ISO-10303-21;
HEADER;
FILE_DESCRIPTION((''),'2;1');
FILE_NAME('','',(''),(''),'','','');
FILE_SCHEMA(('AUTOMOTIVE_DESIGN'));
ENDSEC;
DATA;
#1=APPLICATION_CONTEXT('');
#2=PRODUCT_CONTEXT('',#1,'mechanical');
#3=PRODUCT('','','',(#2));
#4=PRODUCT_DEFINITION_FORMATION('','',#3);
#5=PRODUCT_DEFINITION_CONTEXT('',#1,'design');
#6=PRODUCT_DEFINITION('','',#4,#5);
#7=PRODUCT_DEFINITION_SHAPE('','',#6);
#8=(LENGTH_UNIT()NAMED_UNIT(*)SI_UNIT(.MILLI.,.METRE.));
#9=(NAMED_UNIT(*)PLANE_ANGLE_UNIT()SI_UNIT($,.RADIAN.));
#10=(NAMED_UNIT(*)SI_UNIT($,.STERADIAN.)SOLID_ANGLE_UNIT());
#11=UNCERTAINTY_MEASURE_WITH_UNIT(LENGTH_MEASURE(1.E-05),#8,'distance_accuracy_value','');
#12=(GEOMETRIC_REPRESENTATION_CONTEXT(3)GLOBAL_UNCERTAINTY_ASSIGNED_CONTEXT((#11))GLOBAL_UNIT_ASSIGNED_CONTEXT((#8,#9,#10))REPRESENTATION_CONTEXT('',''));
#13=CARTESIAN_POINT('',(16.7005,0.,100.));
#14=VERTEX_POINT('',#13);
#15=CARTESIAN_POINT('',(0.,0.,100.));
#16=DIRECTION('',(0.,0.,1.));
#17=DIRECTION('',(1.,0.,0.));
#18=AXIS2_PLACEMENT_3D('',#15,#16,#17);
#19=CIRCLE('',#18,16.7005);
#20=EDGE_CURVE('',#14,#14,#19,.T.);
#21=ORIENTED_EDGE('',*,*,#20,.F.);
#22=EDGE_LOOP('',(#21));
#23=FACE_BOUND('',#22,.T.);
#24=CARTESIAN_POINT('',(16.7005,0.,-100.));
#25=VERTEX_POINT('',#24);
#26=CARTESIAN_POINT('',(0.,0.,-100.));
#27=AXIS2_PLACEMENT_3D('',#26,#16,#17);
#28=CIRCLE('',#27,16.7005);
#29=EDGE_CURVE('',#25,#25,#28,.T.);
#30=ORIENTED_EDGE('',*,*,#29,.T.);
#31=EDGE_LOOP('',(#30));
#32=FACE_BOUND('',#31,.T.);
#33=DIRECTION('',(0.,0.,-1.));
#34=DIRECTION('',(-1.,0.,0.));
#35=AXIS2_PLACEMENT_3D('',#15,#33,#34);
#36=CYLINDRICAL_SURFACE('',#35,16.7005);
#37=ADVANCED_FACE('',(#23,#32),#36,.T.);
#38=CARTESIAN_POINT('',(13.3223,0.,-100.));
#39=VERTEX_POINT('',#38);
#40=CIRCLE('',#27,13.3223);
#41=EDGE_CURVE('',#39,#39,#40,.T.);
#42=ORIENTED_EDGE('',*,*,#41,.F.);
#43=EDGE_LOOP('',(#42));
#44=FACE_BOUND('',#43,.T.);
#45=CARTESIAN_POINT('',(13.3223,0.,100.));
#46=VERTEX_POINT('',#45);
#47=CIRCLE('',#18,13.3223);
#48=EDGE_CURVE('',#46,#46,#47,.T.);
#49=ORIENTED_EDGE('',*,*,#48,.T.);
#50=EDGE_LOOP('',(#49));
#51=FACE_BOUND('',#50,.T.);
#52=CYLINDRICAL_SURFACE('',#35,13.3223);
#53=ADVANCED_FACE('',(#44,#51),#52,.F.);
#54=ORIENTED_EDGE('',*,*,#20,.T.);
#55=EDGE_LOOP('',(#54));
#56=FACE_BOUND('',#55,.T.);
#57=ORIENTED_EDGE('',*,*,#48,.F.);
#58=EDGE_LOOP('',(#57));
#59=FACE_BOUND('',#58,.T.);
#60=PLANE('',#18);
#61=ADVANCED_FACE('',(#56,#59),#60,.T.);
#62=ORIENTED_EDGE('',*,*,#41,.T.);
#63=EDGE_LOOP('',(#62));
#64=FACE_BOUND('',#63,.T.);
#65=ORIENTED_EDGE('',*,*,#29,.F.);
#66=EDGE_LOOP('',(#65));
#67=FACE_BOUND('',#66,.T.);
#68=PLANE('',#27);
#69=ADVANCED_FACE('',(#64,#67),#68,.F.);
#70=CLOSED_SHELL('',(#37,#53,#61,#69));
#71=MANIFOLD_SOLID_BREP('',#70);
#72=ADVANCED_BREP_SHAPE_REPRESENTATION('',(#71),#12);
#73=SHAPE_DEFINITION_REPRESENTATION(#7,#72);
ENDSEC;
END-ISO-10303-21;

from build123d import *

# Parameters (mm, degrees)
SKETCH1_R           = 16.7005
SKETCH1_R_2         = 13.3223
EXTRUDE_THIN1_DEPTH = 100


with BuildPart() as part:
    # Sketch1 → Extrude-Thin1 (new, symmetric)
    with BuildSketch(Plane.XY):
        Circle(SKETCH1_R)
        Circle(SKETCH1_R_2, mode=Mode.SUBTRACT)
    extrude(amount=EXTRUDE_THIN1_DEPTH, both=True)


solid = part.part
